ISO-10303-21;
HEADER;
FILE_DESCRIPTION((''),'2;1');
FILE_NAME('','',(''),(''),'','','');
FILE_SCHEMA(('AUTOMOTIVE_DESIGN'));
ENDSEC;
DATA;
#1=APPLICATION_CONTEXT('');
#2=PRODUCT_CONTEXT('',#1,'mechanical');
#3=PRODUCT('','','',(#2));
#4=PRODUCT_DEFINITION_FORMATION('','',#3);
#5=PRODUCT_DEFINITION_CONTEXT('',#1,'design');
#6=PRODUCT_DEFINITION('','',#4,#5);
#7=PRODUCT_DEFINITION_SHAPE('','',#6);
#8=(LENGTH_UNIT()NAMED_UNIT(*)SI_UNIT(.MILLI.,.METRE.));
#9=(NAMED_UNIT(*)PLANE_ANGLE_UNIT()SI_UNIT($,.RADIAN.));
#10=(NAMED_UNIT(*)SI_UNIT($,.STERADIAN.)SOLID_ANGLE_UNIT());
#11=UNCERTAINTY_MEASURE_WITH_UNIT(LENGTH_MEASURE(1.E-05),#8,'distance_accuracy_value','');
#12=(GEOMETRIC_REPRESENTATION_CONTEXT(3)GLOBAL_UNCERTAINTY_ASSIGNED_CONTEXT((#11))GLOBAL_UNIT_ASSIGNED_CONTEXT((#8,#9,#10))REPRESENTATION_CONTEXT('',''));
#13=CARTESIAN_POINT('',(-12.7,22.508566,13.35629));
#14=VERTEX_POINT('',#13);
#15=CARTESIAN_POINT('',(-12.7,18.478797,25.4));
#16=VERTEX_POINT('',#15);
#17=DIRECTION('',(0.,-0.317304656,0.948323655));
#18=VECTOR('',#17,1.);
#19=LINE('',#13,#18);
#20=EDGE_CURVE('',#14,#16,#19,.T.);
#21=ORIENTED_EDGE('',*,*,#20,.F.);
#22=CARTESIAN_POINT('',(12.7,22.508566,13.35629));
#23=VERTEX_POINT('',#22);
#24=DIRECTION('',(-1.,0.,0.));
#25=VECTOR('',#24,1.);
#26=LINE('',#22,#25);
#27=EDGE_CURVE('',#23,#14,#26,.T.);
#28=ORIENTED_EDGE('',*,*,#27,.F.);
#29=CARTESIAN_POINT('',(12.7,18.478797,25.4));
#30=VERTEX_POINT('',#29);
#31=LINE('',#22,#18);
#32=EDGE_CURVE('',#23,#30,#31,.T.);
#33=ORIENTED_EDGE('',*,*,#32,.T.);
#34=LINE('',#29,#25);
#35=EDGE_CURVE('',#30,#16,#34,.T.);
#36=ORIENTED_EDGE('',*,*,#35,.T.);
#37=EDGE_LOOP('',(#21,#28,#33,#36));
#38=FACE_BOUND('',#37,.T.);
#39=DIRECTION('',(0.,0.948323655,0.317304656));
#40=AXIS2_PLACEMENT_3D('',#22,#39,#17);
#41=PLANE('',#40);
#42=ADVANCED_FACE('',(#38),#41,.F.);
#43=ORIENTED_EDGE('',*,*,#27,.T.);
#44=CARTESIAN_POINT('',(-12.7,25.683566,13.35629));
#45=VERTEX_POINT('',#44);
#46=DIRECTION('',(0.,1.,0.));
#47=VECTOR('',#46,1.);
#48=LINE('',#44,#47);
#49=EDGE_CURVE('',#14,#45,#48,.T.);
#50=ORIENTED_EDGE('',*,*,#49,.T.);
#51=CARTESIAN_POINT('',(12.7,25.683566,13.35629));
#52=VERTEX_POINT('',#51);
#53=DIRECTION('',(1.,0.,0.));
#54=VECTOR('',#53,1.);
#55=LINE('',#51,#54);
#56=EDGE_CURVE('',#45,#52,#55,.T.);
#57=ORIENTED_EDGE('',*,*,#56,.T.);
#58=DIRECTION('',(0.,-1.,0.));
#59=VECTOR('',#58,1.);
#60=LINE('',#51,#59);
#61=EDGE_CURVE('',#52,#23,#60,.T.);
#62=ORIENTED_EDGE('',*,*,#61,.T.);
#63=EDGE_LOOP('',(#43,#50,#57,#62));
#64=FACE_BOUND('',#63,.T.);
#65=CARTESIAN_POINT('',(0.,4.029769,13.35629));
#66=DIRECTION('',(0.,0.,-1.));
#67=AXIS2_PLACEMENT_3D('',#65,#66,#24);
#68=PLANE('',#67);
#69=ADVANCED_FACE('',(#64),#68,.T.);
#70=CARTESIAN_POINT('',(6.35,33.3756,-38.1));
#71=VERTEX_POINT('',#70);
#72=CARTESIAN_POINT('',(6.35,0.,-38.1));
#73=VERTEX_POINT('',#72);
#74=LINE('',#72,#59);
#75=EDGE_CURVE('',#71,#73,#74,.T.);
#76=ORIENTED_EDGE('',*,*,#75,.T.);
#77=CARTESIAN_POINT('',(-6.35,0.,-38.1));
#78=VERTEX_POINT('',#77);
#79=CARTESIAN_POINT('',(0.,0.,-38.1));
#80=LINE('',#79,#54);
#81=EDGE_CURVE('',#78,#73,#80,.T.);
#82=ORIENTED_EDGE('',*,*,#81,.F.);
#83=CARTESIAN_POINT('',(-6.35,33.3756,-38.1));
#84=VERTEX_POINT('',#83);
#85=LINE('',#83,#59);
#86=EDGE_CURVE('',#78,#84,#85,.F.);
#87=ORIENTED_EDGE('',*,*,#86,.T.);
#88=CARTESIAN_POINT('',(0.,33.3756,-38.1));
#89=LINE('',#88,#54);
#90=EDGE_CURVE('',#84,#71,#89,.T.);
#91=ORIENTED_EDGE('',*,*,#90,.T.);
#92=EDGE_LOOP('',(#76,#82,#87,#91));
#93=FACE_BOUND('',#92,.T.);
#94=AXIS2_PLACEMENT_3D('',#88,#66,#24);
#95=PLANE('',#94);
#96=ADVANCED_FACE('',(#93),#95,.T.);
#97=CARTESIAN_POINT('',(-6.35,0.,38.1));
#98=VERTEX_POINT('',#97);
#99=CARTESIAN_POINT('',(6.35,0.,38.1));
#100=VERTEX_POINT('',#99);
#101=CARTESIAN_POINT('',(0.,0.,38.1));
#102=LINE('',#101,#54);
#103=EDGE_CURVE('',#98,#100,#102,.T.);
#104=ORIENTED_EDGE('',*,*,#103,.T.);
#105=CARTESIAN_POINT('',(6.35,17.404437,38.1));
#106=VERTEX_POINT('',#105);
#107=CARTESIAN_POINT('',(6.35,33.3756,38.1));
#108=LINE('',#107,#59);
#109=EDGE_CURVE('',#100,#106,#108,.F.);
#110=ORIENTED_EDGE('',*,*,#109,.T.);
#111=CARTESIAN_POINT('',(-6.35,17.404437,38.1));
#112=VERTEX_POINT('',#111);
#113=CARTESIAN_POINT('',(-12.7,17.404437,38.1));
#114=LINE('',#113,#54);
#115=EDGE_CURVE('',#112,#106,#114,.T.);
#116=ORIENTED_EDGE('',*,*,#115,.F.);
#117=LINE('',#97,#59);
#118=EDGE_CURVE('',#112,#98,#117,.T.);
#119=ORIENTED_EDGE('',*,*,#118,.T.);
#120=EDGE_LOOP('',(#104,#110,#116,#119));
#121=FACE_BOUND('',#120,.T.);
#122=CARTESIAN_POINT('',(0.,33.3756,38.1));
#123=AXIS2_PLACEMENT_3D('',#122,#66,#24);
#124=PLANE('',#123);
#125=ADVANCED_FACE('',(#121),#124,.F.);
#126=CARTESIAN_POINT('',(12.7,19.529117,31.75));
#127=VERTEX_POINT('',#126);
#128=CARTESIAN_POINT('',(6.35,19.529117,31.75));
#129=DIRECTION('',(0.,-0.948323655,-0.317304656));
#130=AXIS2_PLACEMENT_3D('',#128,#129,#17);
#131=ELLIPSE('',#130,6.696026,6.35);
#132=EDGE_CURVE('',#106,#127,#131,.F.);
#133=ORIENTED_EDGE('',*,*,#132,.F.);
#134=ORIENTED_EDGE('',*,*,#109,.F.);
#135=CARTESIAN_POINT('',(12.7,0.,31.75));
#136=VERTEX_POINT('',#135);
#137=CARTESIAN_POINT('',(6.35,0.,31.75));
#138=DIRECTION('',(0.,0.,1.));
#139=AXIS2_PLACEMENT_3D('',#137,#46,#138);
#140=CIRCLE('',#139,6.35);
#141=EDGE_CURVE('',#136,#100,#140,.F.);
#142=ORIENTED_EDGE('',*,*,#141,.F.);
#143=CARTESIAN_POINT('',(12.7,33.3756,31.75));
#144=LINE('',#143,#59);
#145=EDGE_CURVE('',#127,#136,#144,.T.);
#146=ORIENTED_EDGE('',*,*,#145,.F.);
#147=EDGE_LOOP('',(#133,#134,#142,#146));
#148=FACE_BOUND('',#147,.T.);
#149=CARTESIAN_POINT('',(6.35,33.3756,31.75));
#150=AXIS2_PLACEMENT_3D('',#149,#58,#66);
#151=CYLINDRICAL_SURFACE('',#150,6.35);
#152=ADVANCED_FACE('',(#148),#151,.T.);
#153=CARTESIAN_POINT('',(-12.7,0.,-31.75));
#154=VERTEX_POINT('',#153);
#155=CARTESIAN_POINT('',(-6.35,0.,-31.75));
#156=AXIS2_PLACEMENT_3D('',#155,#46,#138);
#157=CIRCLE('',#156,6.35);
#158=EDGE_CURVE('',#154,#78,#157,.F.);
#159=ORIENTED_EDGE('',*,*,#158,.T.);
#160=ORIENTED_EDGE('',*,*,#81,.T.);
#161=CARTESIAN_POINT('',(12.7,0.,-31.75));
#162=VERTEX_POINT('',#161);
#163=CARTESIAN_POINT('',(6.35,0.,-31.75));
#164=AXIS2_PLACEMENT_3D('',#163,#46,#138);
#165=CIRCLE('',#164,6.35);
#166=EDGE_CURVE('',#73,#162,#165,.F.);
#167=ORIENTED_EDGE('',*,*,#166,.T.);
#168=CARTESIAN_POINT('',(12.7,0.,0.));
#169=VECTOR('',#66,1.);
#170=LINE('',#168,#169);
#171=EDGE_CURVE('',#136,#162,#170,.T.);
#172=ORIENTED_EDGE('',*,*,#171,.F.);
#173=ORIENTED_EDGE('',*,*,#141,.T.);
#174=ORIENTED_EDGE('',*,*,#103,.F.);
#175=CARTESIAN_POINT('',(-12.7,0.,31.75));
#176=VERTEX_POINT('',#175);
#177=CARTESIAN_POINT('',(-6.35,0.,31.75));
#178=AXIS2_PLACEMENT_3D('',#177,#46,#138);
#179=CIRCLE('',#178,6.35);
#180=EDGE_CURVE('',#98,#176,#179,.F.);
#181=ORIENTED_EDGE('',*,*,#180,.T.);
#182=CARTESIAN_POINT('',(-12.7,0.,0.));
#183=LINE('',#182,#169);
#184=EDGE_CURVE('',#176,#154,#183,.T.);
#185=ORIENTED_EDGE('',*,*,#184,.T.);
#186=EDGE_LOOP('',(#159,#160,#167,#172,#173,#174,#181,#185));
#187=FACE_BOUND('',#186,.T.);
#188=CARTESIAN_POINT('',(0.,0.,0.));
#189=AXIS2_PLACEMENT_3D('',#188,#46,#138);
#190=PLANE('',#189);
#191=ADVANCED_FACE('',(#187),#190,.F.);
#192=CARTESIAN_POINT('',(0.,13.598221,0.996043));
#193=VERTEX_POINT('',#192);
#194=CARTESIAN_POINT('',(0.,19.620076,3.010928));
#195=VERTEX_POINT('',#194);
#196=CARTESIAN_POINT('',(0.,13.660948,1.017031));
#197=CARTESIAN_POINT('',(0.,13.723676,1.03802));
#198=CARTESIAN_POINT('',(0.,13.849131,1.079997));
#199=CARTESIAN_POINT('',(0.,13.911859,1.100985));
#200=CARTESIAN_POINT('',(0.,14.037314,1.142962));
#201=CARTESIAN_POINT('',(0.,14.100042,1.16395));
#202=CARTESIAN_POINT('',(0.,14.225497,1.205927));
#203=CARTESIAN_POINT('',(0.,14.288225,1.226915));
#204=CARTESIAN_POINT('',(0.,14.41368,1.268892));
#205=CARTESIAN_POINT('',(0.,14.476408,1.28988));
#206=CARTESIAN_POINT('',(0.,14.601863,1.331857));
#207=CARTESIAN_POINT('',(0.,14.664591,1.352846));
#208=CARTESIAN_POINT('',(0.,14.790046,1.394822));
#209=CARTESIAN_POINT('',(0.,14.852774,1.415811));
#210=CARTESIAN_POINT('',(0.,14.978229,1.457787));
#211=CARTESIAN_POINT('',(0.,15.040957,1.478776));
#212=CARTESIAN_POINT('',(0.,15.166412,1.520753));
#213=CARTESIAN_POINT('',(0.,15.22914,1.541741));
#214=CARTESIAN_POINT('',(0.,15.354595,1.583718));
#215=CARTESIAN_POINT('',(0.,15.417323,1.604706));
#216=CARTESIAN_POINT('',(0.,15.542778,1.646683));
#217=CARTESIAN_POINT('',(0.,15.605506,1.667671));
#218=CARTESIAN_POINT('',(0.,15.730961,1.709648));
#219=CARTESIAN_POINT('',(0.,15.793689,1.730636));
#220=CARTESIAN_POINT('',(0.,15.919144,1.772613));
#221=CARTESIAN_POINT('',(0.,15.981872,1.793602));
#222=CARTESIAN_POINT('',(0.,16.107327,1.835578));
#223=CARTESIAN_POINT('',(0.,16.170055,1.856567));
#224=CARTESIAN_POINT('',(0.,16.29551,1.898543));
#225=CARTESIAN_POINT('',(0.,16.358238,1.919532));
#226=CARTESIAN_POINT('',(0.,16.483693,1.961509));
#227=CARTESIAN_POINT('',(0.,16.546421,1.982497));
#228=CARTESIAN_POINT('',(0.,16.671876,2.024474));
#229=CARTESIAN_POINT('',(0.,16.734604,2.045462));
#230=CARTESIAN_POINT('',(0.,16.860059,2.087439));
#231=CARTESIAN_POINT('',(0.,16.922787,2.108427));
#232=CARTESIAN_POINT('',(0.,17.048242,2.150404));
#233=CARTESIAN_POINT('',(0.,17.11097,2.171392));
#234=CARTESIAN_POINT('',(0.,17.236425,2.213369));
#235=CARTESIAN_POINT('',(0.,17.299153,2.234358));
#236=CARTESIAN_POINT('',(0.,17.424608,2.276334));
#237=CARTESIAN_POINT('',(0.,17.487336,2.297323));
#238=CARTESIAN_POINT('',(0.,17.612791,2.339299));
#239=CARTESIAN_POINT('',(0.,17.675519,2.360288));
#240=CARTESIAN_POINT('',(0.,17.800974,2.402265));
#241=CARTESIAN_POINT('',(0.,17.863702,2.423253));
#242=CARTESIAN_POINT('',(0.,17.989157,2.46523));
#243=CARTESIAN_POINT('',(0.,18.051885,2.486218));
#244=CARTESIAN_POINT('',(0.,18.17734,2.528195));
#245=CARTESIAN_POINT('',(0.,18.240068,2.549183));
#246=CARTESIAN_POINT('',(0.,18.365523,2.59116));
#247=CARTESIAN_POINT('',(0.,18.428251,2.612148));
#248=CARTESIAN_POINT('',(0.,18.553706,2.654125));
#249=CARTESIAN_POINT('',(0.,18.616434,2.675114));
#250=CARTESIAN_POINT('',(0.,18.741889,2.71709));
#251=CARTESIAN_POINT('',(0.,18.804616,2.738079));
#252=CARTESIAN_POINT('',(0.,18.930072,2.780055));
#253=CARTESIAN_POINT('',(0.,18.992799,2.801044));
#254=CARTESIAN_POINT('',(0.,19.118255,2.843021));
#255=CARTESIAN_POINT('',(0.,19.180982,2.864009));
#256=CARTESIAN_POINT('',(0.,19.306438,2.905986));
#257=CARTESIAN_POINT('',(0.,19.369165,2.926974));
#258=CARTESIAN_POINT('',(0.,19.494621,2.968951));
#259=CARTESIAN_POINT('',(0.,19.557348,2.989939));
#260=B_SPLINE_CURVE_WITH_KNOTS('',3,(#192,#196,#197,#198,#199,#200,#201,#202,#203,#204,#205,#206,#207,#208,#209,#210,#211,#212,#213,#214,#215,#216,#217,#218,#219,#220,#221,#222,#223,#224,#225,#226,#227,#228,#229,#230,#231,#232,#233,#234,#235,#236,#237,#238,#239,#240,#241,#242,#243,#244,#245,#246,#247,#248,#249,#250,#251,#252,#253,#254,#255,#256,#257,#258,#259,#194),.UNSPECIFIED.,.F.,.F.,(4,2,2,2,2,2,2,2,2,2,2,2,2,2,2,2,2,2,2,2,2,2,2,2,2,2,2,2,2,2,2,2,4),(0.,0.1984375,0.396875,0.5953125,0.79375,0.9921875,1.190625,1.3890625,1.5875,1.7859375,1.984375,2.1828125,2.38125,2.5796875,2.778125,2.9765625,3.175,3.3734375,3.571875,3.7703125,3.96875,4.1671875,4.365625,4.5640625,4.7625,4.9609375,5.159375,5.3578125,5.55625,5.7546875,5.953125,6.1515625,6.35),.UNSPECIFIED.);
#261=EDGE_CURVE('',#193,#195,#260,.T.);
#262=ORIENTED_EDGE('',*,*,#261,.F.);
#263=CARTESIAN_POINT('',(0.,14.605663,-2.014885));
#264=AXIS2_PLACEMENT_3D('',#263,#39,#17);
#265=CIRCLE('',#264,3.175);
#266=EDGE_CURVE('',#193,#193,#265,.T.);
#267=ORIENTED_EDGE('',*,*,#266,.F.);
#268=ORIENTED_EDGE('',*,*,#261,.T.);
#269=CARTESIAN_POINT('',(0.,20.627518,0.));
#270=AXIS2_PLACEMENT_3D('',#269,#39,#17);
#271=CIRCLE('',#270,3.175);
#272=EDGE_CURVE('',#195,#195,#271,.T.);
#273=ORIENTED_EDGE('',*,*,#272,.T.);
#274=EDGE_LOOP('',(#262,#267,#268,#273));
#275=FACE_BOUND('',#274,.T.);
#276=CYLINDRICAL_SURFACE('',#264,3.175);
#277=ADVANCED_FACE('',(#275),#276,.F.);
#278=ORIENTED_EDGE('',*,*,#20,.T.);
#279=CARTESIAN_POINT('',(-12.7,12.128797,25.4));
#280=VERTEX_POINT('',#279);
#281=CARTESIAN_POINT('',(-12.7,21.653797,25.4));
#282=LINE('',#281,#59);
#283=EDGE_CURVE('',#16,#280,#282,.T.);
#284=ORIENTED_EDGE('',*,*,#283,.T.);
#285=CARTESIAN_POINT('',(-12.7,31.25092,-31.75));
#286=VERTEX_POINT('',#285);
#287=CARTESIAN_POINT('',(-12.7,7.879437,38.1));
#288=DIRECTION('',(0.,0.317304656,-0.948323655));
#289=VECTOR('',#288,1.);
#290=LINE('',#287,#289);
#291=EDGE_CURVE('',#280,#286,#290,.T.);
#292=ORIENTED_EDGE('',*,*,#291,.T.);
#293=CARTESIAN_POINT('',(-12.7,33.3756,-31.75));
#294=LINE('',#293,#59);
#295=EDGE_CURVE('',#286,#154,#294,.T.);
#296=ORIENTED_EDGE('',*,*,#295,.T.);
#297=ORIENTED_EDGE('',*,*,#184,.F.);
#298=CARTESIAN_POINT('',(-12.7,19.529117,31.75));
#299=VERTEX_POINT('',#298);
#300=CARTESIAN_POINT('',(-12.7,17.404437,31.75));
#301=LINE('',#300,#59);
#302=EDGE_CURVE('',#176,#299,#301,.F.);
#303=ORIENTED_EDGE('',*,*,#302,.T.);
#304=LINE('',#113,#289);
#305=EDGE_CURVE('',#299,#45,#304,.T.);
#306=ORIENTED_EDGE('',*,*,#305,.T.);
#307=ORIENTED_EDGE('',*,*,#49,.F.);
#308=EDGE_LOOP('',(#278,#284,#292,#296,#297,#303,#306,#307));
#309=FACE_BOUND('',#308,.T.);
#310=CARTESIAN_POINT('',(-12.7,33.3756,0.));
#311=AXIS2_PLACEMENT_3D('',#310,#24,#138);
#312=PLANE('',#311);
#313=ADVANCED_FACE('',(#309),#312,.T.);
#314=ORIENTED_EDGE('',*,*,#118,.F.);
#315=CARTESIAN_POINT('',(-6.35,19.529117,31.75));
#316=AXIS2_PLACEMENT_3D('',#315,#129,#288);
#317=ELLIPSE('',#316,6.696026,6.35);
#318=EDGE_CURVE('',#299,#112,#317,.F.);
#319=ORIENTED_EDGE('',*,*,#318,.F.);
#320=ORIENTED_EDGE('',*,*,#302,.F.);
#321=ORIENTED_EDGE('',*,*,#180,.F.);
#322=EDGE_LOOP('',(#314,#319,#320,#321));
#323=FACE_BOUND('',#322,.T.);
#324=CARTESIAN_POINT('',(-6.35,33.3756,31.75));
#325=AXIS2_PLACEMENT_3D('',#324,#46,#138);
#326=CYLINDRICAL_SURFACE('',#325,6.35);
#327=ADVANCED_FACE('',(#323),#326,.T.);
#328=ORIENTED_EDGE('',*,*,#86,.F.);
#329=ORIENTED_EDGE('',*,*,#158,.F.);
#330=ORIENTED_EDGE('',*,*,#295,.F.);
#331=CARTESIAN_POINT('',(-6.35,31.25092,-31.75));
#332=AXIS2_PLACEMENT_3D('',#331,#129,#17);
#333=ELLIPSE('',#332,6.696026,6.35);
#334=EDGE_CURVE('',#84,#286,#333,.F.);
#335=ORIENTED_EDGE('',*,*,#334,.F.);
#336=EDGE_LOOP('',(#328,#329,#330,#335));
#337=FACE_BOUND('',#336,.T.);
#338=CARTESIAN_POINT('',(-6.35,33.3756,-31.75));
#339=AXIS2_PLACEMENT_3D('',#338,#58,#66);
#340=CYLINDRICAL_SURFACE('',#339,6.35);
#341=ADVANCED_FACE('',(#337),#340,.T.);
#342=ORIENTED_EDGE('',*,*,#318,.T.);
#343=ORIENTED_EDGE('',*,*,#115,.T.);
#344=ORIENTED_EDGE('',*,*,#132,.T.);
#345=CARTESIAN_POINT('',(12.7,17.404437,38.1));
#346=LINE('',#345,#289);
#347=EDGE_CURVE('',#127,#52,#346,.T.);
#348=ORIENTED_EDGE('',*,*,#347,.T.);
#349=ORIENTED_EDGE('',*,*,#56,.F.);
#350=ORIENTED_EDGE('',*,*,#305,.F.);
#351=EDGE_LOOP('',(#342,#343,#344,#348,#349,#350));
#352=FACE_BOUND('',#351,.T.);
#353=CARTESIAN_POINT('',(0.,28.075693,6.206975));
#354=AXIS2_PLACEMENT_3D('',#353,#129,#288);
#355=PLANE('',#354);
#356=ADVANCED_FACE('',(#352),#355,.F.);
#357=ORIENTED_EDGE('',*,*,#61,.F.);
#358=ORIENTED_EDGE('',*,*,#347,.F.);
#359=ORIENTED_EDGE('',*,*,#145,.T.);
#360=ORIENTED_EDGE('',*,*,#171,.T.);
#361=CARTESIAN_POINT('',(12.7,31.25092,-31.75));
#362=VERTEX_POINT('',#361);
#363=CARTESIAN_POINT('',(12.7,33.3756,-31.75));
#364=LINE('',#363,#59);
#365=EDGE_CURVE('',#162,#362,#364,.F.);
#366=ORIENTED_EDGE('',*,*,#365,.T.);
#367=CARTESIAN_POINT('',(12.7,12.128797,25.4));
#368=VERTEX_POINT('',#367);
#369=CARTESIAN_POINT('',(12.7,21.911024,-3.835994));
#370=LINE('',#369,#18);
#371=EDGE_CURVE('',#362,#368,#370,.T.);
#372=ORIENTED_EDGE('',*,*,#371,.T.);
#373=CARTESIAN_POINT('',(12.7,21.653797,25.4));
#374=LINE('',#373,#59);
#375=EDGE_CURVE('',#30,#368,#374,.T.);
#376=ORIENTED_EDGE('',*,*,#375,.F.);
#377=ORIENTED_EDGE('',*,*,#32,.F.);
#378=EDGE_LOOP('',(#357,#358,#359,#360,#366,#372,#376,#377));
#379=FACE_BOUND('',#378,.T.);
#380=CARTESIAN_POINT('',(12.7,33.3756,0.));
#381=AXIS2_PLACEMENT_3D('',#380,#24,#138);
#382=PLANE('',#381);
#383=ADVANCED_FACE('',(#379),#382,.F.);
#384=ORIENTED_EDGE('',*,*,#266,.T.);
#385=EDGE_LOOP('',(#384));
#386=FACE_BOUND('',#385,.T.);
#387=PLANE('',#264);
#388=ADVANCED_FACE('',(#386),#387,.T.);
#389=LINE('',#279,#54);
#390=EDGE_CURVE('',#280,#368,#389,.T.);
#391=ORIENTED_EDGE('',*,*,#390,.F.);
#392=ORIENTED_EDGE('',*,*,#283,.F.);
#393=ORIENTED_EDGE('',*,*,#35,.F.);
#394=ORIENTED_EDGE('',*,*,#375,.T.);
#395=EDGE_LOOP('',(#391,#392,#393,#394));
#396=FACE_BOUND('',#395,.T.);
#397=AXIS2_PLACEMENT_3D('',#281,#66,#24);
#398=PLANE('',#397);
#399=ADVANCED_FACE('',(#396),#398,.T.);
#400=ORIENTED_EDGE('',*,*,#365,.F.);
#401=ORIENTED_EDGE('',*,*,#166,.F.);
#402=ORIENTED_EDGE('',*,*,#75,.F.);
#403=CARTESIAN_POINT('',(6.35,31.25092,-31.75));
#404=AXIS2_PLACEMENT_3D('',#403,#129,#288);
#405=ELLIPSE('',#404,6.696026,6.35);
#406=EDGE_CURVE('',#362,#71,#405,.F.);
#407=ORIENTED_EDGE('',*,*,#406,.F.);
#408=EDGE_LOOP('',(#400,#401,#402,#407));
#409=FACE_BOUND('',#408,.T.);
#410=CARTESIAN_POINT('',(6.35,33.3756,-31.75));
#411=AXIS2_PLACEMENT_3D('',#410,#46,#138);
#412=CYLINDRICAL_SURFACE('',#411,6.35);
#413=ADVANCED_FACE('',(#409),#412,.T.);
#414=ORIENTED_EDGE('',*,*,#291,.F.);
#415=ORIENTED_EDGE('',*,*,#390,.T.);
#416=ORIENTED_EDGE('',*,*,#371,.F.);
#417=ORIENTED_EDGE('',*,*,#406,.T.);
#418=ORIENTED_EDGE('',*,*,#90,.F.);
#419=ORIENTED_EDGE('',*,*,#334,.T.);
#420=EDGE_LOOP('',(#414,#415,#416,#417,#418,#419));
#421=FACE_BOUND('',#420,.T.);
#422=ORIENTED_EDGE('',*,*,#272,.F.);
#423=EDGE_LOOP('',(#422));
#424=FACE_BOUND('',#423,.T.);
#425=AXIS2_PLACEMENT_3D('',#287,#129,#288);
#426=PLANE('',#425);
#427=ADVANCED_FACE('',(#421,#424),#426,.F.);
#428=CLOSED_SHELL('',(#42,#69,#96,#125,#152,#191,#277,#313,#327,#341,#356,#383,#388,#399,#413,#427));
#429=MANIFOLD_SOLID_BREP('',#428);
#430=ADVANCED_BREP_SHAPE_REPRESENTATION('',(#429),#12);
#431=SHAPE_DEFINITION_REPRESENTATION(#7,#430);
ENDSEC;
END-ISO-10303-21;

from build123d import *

# Parameters (mm, degrees)
SKETCH1_W               = 25.4
SKETCH1_H               = 76.2
BOSS_EXTRUDE1_DEPTH     = 33.3756
CUT_EXTRUDE2_DEPTH      = 57.663045059
CUT_EXTRUDE2_DEPTH_BACK = 57.663045059
SKETCH5_R               = 3.175
CUT_EXTRUDE3_DEPTH      = 6.35
BOSS_EXTRUDE2_REACH     = 63.744
SKETCH1_5_W             = 25.4
SKETCH1_5_H             = 12.7
SKETCH7_W               = 25.4
SKETCH7_H               = 3.175
BOSS_EXTRUDE3_DEPTH     = 12.7
FILLET1_R               = 6.35


with BuildPart() as part:
    # Sketch1 → Boss-Extrude1 (new body)
    with BuildSketch(Plane(origin=(0, 0, 0), x_dir=(1, 0, 0), z_dir=(0, 1, 0))):
        Rectangle(SKETCH1_W, SKETCH1_H)
    extrude(amount=BOSS_EXTRUDE1_DEPTH)

    # Sketch4 → Cut-Extrude2 (cut, two sides: drawn at the far end of the back side and taken through both)
    with BuildSketch(Plane(origin=(12.7, 0, 0), x_dir=(0, 0, -1), z_dir=(1, 0, 0)).offset(-CUT_EXTRUDE2_DEPTH_BACK)):
        Polygon((38.1, 33.3756), (-38.1, 33.3756), (-38.1, 7.879436654), align=None)
    extrude(amount=CUT_EXTRUDE2_DEPTH + CUT_EXTRUDE2_DEPTH_BACK, mode=Mode.SUBTRACT)

    # Sketch5 → Cut-Extrude3 (cut)
    with BuildSketch(Plane(origin=(0, 18.550693474, 6.20697521), x_dir=(1, 0, 0), z_dir=(0, 0.9483236552061992, 0.3173046564050927))):
        with Locations((0, 6.545207615)):
            Circle(SKETCH5_R)
    extrude(amount=-CUT_EXTRUDE3_DEPTH, mode=Mode.SUBTRACT)

    # Boss-Extrude2: from a plane face, 63.744 long prism both ways, kept between that surface and its translate by the depth
    boss_extrude2_start = Plane(origin=(-12.7, 7.879436654, 38.1), z_dir=(0, -0.9483236552061992, -0.3173046564050927)) * Box(256.976, 256.976, 128.488, align=(Align.CENTER, Align.CENTER, Align.MIN), mode=Mode.PRIVATE)
    boss_extrude2_end = Plane(origin=(-12.7, 17.404436654, 38.1), z_dir=(0, -0.9483236552061992, -0.3173046564050927)) * Box(256.976, 256.976, 128.488, align=(Align.CENTER, Align.CENTER, Align.MIN), mode=Mode.PRIVATE)
    # Sketch1<5> → Boss-Extrude2 (add, from a surface)
    with BuildSketch(Plane(origin=(0, 0, 0), x_dir=(1, 0, 0), z_dir=(0, 1, 0)), mode=Mode.PRIVATE) as boss_extrude2_sk1:
        with Locations((0, -31.75)):
            Rectangle(SKETCH1_5_W, SKETCH1_5_H)
    boss_extrude2_tool1 = extrude(boss_extrude2_sk1.sketch, amount=BOSS_EXTRUDE2_REACH, both=True, mode=Mode.PRIVATE)
    add(((boss_extrude2_tool1 - boss_extrude2_start) & boss_extrude2_end).solids().sort_by_distance((0, 19.620076, 3.010928))[0])

    # Sketch7 → Boss-Extrude3 (add, along a direction that is not the sketch's normal)
    with BuildSketch(Plane(origin=(0, 0, 25.4), x_dir=(-1, 0, 0), z_dir=(0, 0, -1))):
        with Locations((0, 20.066297212)):
            Rectangle(SKETCH7_W, SKETCH7_H)
    extrude(amount=BOSS_EXTRUDE3_DEPTH, dir=(0, 0.31730465640509264, -0.9483236552061991))

    # Fillet1
    fillet1_edges = [part.edges().sort_by_distance(p)[0] for p in [
        (-12.7, 16.6878, -38.1),
        (-12.7, 8.702218327, 38.1),
        (12.7, 16.6878, -38.1),
        (12.7, 8.702218327, 38.1),
    ]]
    fillet(fillet1_edges, radius=FILLET1_R)


solid = part.part
